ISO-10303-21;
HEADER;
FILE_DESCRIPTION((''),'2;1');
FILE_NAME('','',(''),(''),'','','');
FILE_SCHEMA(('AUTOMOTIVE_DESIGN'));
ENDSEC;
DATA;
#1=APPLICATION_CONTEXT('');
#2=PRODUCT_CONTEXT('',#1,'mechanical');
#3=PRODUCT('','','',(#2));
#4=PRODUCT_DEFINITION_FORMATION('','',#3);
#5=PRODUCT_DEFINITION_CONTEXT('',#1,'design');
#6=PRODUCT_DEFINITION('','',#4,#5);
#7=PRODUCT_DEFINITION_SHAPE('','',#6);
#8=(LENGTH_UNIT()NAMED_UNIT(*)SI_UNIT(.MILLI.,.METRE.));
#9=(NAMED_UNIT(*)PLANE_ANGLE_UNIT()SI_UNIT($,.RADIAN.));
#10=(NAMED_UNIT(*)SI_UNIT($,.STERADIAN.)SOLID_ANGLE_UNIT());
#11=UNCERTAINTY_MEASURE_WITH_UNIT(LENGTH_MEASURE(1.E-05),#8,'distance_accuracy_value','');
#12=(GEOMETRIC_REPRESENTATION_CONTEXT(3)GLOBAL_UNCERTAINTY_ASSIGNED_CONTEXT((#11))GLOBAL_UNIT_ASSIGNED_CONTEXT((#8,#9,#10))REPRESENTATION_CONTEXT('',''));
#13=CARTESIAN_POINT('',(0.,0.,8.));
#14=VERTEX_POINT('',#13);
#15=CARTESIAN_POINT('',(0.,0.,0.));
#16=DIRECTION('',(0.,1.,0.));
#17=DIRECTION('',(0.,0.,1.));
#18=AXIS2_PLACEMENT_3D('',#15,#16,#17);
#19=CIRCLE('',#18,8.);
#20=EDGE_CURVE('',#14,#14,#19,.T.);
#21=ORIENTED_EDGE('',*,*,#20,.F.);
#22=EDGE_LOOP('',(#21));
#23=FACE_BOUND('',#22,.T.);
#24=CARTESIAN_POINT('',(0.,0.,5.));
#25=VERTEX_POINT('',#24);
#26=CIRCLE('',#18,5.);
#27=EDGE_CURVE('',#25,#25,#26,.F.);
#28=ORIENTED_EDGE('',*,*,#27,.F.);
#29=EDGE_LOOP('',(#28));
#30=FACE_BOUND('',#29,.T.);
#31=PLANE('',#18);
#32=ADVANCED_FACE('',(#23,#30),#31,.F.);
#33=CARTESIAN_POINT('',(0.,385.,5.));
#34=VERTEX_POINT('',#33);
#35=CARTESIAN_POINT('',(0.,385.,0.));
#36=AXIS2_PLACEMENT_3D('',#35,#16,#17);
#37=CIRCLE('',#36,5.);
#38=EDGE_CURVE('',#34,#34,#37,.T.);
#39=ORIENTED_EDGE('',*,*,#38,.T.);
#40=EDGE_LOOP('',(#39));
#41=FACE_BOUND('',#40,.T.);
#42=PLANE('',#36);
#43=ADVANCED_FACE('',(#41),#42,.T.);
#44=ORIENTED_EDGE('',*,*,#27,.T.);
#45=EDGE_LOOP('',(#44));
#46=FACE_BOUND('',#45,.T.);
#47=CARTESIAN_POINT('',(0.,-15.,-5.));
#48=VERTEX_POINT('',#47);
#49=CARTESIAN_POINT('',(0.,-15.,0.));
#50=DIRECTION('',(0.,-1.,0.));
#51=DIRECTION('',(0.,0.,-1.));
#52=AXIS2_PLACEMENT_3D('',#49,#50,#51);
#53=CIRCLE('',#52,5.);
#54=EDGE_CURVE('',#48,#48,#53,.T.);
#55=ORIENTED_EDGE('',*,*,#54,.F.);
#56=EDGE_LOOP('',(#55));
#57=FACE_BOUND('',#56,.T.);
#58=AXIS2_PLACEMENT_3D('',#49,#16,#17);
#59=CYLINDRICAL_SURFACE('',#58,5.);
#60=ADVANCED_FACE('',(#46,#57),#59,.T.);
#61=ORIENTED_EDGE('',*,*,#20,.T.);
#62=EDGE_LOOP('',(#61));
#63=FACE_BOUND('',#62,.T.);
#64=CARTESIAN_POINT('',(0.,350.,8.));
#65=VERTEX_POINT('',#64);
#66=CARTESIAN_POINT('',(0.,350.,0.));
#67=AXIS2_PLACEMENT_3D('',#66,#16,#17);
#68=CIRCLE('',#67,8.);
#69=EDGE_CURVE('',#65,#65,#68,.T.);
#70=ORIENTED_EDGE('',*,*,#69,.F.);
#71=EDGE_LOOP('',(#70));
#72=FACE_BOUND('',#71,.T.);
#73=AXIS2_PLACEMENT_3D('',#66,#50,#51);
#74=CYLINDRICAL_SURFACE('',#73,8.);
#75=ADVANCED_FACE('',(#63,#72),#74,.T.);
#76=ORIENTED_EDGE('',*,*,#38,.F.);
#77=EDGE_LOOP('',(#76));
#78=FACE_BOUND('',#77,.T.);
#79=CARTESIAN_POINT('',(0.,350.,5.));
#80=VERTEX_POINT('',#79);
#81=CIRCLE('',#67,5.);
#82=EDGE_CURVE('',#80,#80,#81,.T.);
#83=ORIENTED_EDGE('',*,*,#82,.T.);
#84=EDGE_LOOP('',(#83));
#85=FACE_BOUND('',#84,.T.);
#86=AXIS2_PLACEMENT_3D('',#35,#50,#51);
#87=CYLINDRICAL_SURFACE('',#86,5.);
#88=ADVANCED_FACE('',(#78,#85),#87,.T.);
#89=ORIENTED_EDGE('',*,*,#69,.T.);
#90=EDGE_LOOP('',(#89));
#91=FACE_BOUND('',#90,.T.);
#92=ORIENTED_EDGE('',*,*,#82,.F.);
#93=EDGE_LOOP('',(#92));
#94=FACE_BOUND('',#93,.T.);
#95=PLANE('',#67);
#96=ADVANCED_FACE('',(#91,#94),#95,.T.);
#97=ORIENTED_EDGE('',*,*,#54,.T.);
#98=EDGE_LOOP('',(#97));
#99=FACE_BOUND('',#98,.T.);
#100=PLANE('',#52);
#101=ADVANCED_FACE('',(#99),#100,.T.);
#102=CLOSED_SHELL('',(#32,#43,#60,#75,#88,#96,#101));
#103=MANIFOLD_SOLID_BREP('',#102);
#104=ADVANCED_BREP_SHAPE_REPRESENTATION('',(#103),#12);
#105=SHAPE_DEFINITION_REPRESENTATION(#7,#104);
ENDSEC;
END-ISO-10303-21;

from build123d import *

# Parameters (mm, degrees)
SKETCH1_R           = 8
BOSS_EXTRUDE1_DEPTH = 350
SKETCH2_R           = 5
BOSS_EXTRUDE2_DEPTH = 35
SKETCH3_R           = 5
BOSS_EXTRUDE3_DEPTH = 15


with BuildPart() as part:
    # Sketch1 → Boss-Extrude1 (new body)
    with BuildSketch(Plane(origin=(0, 0, 0), x_dir=(1, 0, 0), z_dir=(0, 1, 0))):
        Circle(SKETCH1_R)
    extrude(amount=BOSS_EXTRUDE1_DEPTH)

    # Sketch2 → Boss-Extrude2 (add)
    with BuildSketch(Plane(origin=(0, 350, 0), x_dir=(1, 0, 0), z_dir=(0, 1, 0))):
        Circle(SKETCH2_R)
    extrude(amount=BOSS_EXTRUDE2_DEPTH)

    # Sketch3 → Boss-Extrude3 (add)
    with BuildSketch(Plane.XZ):
        Circle(SKETCH3_R)
    extrude(amount=BOSS_EXTRUDE3_DEPTH)


solid = part.part
